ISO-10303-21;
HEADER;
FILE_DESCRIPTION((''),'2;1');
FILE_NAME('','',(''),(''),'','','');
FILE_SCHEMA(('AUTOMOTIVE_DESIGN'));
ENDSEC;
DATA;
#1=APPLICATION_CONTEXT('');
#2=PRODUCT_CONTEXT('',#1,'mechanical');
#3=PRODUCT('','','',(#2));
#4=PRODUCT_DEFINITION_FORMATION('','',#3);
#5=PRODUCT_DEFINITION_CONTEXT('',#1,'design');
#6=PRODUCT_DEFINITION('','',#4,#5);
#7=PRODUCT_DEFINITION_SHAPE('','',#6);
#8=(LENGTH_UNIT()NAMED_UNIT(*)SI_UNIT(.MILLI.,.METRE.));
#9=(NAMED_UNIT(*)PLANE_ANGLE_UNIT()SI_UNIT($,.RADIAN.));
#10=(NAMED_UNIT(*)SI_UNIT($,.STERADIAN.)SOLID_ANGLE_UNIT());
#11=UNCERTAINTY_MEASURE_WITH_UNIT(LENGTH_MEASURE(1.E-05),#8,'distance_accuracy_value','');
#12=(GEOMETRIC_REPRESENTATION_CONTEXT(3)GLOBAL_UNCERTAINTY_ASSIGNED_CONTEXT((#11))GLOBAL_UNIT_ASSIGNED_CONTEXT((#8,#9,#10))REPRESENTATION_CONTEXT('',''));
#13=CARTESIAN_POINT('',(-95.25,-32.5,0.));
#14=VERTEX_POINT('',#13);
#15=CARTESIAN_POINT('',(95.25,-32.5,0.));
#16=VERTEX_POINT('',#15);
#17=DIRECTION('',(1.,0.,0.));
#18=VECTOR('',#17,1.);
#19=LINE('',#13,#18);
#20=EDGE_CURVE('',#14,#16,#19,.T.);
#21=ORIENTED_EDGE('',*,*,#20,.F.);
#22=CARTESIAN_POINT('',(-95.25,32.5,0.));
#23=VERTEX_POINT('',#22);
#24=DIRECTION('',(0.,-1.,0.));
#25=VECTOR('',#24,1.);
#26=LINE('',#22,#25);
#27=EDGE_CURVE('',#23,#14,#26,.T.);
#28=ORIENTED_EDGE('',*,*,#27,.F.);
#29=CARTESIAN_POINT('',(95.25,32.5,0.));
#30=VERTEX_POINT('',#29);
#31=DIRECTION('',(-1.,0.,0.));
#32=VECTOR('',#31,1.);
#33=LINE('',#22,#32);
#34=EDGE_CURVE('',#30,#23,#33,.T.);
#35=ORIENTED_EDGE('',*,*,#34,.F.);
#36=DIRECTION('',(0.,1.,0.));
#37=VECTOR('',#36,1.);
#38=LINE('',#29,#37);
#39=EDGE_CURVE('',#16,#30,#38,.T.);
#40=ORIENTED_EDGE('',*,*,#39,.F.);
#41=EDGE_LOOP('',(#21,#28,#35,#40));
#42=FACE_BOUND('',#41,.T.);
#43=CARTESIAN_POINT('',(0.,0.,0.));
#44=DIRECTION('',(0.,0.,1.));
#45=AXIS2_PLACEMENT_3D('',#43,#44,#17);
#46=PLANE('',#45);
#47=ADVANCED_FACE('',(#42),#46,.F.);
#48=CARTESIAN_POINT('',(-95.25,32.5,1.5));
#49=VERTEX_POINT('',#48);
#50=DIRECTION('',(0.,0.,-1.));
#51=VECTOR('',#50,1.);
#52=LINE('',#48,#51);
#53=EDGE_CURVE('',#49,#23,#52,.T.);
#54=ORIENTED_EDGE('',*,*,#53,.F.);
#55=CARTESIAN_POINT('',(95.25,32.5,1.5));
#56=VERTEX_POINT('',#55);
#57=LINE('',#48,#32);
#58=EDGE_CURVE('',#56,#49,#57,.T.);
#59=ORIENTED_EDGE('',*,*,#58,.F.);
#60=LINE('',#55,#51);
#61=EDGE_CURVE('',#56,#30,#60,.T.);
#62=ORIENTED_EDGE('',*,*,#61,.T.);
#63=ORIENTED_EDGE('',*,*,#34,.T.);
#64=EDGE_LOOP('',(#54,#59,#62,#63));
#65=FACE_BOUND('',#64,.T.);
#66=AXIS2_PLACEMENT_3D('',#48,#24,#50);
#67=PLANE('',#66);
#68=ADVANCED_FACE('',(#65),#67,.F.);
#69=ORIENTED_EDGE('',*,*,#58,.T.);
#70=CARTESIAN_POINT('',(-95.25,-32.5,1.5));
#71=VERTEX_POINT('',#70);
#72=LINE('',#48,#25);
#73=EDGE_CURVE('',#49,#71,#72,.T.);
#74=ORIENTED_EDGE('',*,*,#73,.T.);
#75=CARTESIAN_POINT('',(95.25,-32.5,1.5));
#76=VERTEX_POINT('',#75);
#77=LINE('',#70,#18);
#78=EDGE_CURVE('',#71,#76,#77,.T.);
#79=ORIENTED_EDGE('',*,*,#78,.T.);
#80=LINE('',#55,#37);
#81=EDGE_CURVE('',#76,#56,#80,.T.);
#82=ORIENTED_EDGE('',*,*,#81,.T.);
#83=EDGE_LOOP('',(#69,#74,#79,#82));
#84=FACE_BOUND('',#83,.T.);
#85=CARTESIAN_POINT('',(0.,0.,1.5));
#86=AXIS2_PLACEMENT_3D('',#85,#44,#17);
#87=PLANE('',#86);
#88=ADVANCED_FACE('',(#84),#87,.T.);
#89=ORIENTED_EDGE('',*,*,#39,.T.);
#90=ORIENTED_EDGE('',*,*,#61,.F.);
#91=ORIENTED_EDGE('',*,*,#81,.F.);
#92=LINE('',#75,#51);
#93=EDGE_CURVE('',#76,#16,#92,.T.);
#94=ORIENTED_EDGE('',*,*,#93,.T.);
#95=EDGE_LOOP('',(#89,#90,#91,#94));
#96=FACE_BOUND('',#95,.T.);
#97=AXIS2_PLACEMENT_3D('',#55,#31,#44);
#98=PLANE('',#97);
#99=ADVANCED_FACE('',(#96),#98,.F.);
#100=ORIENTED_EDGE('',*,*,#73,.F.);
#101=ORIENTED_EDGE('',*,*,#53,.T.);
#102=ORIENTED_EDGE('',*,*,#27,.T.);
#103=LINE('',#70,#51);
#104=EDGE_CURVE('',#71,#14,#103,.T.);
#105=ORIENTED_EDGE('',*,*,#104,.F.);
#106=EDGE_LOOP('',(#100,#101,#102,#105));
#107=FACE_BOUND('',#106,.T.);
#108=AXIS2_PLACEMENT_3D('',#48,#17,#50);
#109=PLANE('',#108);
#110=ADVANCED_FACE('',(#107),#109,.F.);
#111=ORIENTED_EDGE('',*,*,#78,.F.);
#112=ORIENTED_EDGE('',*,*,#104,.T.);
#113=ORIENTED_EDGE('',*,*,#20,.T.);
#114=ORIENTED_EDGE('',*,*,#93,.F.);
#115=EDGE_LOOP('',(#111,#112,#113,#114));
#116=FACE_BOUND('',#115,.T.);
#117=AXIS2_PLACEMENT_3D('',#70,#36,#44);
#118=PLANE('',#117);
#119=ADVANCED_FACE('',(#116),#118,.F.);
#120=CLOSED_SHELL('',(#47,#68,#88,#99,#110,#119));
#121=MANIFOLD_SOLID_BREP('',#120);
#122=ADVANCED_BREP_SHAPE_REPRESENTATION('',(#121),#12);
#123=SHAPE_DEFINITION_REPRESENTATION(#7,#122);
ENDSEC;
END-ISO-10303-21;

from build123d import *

# Parameters (mm, degrees)
SKETCH1_W           = 190.5
SKETCH1_H           = 65
BOSS_EXTRUDE1_DEPTH = 1.5


with BuildPart() as part:
    # Sketch1 → Boss-Extrude1 (new body)
    with BuildSketch(Plane.XY):
        Rectangle(SKETCH1_W, SKETCH1_H)
    extrude(amount=BOSS_EXTRUDE1_DEPTH)


solid = part.part
